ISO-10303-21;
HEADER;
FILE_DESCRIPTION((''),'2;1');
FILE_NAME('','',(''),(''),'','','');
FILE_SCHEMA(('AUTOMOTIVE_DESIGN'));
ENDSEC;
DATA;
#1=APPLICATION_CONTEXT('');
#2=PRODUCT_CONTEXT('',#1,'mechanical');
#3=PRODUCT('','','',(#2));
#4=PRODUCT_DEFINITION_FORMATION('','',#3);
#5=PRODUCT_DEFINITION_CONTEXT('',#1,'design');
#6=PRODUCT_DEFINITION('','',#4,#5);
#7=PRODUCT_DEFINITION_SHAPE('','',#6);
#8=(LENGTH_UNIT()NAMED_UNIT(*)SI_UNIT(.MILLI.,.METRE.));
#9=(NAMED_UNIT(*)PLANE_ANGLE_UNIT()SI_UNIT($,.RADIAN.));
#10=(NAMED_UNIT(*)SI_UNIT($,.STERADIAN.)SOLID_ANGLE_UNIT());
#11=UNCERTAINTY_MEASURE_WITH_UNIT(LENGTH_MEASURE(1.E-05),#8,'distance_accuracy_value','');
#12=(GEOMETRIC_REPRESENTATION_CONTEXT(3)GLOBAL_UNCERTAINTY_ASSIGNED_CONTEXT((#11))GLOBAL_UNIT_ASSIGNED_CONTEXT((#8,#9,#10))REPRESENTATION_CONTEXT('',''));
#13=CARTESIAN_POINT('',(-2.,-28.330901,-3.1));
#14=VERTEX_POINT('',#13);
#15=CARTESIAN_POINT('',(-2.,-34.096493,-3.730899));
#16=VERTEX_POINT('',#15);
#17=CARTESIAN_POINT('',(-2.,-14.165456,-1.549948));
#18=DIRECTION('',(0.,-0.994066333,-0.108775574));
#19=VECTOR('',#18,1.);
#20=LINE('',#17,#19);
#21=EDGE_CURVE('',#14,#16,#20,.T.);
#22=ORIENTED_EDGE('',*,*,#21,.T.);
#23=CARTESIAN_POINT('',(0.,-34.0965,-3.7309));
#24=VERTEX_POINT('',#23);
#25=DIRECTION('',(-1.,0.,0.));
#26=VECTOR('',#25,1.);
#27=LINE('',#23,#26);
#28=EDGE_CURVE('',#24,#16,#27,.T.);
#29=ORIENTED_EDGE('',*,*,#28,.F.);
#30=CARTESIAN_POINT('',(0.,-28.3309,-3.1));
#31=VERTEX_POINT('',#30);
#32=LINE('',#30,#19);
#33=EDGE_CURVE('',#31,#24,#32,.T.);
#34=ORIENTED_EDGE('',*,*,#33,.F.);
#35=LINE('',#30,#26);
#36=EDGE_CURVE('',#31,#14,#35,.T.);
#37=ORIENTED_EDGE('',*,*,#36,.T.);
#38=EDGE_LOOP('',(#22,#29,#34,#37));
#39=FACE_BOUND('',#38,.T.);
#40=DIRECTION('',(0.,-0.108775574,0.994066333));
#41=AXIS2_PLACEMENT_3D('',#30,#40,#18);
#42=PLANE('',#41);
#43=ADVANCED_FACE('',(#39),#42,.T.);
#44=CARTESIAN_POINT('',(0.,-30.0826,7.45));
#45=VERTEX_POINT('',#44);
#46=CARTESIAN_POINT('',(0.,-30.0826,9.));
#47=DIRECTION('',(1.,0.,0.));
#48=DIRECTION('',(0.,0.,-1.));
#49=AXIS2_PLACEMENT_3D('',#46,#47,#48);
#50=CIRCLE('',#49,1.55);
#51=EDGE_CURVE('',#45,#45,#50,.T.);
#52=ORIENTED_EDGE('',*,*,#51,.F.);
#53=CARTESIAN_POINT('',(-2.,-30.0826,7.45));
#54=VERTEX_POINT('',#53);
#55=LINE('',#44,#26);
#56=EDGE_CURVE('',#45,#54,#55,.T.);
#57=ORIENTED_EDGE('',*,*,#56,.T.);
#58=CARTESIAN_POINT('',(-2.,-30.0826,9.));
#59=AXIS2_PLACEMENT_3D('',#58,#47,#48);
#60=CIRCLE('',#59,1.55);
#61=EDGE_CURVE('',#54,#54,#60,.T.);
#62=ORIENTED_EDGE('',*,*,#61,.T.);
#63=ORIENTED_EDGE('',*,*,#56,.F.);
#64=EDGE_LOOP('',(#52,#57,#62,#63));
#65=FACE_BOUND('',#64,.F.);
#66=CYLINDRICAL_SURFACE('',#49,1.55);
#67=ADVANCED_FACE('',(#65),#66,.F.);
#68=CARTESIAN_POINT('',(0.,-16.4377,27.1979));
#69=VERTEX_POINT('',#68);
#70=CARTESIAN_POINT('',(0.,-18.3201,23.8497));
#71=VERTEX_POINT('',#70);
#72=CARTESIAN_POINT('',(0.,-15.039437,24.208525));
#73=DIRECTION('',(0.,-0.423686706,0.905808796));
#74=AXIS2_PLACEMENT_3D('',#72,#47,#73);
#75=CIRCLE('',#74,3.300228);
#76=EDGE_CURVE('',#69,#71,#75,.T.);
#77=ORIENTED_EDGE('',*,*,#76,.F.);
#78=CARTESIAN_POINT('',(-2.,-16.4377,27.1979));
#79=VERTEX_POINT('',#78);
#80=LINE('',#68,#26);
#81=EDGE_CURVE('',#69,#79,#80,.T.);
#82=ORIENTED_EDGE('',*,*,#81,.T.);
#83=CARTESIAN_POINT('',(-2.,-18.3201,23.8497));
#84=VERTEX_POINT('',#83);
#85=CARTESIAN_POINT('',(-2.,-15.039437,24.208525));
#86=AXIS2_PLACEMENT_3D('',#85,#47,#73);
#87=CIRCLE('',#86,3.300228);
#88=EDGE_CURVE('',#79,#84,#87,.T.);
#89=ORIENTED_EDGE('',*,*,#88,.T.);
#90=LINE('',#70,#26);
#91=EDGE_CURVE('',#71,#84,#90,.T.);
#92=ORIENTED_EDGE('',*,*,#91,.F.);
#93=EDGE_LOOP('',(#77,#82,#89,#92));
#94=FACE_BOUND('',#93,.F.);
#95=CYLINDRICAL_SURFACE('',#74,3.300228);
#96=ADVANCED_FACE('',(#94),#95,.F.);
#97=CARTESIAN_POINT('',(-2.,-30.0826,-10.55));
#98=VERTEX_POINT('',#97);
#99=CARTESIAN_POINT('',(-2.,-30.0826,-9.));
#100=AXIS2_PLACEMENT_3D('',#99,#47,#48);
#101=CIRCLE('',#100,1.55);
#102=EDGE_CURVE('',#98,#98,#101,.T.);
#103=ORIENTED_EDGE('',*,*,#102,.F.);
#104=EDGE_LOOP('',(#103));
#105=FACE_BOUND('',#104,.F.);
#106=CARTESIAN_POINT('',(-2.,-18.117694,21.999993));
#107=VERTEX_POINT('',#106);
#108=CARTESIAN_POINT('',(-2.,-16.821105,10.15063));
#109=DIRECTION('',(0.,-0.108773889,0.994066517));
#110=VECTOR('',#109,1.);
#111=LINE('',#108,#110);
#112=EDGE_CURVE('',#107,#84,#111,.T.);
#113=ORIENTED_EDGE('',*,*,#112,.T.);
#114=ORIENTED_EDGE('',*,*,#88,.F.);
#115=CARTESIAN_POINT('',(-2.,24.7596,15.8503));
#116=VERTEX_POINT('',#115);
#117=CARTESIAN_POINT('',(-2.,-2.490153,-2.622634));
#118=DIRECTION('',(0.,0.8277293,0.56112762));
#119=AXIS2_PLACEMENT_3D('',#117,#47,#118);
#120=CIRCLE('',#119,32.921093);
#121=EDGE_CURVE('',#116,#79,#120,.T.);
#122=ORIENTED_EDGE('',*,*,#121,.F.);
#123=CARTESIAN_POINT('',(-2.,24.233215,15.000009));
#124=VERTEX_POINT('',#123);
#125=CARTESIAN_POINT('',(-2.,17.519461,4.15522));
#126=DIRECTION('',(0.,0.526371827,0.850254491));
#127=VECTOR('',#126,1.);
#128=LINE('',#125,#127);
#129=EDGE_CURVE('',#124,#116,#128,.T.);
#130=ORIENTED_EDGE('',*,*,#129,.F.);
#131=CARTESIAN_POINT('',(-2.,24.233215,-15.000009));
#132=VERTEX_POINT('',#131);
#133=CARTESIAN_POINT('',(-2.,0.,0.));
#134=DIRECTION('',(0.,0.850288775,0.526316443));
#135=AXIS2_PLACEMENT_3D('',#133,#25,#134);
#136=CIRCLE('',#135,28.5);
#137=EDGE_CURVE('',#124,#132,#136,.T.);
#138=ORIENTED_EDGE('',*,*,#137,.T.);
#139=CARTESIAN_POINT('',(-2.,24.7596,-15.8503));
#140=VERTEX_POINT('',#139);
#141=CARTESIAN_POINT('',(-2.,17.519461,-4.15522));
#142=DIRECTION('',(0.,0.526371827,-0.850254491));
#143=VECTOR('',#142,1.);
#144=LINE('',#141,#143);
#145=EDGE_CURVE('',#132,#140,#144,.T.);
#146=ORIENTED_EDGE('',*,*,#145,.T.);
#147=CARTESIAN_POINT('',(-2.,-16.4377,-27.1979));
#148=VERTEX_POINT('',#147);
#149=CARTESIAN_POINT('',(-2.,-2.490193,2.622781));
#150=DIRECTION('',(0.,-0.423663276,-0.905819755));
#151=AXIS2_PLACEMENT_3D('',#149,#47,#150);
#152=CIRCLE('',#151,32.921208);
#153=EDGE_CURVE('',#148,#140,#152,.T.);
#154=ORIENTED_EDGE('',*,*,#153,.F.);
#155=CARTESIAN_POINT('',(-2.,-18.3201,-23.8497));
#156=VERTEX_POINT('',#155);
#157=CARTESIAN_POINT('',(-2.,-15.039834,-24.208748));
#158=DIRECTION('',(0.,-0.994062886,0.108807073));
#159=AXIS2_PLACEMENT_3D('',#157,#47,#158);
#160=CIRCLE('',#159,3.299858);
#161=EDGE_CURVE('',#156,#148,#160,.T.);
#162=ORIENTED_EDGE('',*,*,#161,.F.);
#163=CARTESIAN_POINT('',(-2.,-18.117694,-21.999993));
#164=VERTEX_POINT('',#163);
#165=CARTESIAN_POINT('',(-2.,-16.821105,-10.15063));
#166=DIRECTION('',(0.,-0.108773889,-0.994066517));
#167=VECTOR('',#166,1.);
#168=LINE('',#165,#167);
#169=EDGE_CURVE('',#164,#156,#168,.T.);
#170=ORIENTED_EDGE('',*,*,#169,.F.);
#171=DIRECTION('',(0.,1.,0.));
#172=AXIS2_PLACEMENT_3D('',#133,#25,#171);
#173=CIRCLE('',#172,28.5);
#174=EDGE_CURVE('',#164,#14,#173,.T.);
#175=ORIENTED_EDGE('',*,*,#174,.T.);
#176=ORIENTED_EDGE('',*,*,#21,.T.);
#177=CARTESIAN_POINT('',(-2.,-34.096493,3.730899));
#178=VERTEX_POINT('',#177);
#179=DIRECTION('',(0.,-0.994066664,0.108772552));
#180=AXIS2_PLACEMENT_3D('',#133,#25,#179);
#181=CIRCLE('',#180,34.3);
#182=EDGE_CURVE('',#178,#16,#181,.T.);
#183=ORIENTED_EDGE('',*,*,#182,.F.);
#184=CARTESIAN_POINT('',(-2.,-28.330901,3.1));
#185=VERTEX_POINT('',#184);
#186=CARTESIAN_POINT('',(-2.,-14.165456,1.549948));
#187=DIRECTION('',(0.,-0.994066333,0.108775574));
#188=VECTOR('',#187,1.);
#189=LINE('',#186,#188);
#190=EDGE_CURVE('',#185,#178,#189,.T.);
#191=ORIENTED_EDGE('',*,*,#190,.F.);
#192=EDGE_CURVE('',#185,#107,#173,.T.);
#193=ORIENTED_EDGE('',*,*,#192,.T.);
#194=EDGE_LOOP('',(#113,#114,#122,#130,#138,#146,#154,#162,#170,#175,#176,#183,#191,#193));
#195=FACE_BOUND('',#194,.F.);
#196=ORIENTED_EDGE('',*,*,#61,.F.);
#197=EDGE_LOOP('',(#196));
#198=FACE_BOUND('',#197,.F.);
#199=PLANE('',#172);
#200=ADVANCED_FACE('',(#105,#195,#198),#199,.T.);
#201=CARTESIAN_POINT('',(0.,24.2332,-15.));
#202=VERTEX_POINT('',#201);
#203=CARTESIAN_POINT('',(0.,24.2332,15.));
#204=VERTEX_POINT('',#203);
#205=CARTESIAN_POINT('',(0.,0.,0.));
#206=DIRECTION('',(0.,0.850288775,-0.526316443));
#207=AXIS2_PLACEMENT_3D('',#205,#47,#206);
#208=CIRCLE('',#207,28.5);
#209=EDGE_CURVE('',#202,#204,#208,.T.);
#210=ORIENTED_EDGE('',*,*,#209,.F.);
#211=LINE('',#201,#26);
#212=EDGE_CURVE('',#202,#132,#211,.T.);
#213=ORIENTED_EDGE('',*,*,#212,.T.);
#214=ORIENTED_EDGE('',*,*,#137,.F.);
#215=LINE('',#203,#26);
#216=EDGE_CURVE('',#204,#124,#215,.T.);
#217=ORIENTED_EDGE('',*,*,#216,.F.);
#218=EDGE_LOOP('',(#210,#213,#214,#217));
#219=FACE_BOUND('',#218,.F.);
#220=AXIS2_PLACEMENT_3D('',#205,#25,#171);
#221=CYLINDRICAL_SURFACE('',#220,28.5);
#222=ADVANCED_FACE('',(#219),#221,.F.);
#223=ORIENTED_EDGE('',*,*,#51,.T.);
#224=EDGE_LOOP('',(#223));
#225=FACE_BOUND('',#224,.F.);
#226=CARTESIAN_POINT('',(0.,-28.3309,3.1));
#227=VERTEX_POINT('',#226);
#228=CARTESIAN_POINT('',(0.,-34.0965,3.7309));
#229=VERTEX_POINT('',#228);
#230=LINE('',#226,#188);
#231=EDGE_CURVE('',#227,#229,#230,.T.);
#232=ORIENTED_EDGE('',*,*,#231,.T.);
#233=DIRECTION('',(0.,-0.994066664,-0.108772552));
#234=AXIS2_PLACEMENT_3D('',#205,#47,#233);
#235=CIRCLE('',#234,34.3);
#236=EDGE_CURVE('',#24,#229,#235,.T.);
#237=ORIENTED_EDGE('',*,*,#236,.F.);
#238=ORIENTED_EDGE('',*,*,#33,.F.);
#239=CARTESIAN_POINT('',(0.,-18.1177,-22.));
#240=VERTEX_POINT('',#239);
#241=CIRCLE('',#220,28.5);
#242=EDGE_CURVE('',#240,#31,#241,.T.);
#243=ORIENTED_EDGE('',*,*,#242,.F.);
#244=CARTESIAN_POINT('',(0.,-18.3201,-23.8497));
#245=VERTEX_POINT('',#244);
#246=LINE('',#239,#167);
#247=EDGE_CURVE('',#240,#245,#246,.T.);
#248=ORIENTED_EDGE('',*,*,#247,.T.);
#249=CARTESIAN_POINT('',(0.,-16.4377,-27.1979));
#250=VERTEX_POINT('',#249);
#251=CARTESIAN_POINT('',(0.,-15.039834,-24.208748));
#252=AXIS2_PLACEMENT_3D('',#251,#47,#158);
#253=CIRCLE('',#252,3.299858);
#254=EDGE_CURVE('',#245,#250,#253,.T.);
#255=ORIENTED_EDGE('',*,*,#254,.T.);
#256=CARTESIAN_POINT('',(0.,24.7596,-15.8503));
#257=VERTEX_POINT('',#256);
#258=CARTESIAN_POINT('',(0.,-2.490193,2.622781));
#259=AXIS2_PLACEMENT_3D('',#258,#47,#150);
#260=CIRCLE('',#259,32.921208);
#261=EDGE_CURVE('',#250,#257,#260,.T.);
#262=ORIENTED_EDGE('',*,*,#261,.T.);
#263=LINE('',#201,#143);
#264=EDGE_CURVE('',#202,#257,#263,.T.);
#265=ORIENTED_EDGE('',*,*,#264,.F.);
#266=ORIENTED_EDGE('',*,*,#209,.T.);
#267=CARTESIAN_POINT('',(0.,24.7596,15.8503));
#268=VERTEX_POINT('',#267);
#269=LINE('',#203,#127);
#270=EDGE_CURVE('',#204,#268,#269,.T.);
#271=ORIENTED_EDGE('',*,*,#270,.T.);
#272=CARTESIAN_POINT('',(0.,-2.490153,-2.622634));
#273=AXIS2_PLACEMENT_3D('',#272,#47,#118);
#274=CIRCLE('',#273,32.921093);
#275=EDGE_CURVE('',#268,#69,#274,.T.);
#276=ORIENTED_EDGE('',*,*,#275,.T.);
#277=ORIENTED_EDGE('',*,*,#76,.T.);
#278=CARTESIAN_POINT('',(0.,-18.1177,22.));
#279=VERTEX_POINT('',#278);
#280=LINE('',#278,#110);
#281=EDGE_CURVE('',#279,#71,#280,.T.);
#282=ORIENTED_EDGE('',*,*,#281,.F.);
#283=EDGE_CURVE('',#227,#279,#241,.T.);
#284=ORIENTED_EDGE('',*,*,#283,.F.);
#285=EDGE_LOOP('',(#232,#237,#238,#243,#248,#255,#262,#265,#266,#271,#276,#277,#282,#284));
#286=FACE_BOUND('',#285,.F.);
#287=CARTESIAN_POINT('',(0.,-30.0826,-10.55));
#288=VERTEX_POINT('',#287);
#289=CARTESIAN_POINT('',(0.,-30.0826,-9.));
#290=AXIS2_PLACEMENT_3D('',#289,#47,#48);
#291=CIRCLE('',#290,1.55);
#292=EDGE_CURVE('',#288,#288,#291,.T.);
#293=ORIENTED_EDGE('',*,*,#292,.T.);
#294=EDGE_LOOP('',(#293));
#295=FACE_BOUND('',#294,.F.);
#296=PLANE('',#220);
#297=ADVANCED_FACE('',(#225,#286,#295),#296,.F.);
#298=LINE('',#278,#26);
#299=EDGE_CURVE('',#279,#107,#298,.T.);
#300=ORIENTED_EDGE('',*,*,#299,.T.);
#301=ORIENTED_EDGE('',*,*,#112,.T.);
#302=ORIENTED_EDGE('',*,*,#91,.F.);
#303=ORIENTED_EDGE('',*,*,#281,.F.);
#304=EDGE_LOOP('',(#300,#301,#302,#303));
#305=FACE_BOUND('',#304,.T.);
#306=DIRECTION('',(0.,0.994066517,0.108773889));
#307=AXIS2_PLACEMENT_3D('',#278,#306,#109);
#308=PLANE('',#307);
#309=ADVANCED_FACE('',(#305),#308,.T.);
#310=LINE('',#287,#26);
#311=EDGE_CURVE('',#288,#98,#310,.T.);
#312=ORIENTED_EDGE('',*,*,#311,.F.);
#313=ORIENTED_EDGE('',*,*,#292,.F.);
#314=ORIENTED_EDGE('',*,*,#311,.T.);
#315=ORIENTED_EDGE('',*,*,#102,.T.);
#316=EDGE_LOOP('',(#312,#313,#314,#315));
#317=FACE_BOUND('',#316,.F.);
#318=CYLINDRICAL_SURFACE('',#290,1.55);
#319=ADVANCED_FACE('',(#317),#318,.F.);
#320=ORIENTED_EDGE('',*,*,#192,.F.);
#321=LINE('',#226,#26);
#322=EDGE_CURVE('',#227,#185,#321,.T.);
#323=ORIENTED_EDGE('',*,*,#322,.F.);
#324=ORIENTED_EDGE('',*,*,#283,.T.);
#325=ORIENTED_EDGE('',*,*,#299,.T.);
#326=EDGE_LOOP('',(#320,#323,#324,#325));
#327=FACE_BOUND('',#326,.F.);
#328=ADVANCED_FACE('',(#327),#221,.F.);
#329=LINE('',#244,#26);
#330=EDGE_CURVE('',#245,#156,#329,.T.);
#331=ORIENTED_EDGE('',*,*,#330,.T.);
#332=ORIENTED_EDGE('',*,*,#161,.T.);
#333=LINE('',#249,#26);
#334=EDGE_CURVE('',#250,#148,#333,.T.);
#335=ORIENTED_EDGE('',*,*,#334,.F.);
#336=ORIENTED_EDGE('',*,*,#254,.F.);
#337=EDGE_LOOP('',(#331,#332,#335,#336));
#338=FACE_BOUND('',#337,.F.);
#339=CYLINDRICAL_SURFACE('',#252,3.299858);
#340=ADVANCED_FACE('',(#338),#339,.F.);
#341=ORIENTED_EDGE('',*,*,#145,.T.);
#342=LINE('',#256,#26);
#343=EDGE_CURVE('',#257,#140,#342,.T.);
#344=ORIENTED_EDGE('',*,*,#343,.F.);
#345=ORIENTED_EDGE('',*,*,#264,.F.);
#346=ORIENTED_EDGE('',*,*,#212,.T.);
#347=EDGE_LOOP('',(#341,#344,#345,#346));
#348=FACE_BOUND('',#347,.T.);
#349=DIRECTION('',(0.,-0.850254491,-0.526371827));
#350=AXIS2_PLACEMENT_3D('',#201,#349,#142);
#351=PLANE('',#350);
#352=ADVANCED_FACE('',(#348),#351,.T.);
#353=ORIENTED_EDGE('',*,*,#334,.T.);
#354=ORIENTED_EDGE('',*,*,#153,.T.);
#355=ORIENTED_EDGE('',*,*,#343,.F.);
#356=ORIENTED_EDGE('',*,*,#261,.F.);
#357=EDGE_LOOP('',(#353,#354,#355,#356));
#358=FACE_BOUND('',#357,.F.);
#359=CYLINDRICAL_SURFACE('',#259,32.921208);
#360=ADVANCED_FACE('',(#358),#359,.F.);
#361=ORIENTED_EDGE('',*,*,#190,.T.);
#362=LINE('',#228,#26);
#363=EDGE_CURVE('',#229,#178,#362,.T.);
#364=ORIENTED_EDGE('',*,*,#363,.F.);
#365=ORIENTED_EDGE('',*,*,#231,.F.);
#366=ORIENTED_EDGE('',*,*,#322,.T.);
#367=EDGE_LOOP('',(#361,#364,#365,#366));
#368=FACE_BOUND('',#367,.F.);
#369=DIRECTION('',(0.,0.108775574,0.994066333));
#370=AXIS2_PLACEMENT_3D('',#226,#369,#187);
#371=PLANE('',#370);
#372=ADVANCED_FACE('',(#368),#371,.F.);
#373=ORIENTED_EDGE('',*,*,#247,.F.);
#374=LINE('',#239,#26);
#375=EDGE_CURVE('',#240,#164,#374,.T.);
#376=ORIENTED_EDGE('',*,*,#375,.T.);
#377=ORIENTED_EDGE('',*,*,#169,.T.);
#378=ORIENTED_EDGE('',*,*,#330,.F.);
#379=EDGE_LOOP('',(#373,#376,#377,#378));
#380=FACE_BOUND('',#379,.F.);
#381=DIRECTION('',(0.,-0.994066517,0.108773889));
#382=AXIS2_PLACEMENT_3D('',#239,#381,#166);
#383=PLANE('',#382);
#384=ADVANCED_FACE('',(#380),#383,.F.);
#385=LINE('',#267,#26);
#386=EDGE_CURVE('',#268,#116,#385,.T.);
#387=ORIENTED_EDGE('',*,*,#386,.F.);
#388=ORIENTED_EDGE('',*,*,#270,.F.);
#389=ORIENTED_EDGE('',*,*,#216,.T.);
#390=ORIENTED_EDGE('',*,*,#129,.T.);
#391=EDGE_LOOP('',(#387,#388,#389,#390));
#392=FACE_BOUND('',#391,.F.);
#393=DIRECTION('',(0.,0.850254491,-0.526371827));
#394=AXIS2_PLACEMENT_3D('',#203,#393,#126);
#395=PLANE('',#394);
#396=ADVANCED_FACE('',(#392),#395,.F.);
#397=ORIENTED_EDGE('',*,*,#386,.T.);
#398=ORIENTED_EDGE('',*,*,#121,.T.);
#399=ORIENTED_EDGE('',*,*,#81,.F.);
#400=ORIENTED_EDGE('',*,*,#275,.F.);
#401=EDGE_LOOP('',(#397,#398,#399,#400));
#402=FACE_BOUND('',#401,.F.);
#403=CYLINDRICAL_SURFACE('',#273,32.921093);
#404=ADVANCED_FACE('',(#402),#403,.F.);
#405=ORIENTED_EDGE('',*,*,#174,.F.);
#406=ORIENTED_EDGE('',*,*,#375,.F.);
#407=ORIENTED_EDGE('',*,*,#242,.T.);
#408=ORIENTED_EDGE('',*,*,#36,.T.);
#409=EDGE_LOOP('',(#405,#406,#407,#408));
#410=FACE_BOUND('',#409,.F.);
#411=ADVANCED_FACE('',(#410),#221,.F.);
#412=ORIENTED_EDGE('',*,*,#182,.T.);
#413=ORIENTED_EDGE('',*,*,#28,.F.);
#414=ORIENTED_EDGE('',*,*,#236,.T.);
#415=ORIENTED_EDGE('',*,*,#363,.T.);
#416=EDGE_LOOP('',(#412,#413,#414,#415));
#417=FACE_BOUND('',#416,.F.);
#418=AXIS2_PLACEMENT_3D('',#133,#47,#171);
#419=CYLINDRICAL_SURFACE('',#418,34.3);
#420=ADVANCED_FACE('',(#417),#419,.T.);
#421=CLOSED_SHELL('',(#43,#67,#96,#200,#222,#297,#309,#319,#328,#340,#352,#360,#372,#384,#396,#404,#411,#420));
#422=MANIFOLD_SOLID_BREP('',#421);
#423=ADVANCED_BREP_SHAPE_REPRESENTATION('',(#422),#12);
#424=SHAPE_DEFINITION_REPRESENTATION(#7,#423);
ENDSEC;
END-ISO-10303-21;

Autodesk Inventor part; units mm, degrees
ref_plane "YZ Plane" through (0, 0, 0) normal (1, 0, 0) x (0, 1, 0)
ref_plane "XZ Plane" through (0, 0, 0) normal (0, 1, 0) x (-1, 0, 0)
ref_plane "XY Plane" through (0, 0, 0) normal (0, 0, 1) x (1, 0, 0)
sketch "Sketch1" plane through (0, 0, 0) normal (0, 0, 1) x (1, 0, 0)
  line L0 (0, 0) -> (-75.2784, 0)
  line L1 (0, 28.5) -> (-2, 28.5)
  line L2 (-2, 28.5) -> (-2, 34.3)
  line L3 (-2, 34.3) -> (0, 34.3)
  line L4 (0, 34.3) -> (0, 28.5)
  point P0 (0, 0)
  dimension "d0" = 2
  dimension "d1" = 57
  dimension "d2" = 68.6
revolve "Revolution1" add sketch "Sketch1" angle 360 about axis through (0, 0, 0) along (-1, 0, 0)
sketch "Sketch2" plane through (0, 0, 0) normal (1, 0, 0) x (0, 0, -1)
  circle A0 centre (0, 0) radius 28.5 projected
  line L0 (0, 0) -> (15, 24.2332) construction
  line L1 (0, 0) -> (-15, 24.2332) construction
  line L2 (0, 0) -> (3.1, -28.3309) construction
  line L3 (0, 0) -> (-3.1, -28.3309) construction
  circle A1 centre (0, 0) radius 34.3 projected
  line L4 (3.1, -28.3309) -> (3.7309, -34.0965)
  line L5 (-3.1, -28.3309) -> (-3.7309, -34.0965)
  line L6 (15, 24.2332) -> (15.8503, 24.7596)
  line L7 (-15, 24.2332) -> (-15.8503, 24.7596)
  line L8 (0, 0) -> (22, -18.1177) construction
  line L9 (0, 0) -> (-22, -18.1177) construction
  circle A2 centre (0, 0) radius 31.8 construction
  line L10 (-22, -18.1177) -> (-23.8497, -18.3201)
  line L11 (22, -18.1177) -> (23.8497, -18.3201)
  arc A3 (-27.1979, -16.4377) -> (-23.8497, -18.3201) centre (-24.2087, -15.0396) ccw
  arc A4 (23.8497, -18.3201) -> (27.1979, -16.4377) centre (24.2087, -15.0396) ccw
  arc A5 (-15.8503, 24.7596) -> (-27.1979, -16.4377) centre (2.6227, -2.4902) ccw
  arc A6 (27.1979, -16.4377) -> (15.8503, 24.7596) centre (-2.6227, -2.4902) ccw
  circle A7 centre (0, 0) radius 31.4 construction
  line L12 (3.4154, -31.2137) -> (18.4181, -29.5721) construction
  circle A8 centre (9, -30.0826) radius 1.55
  circle A9 centre (-9, -30.0826) radius 1.55
  dimension "d4" = 30
  dimension "d5" = 6.2
  dimension "d6" = 1
  dimension "d7" = 44
  dimension "d8" = 2.5
  dimension "d9" = 32.9211
  dimension "d10" = 3.1
  dimension "d11" = 18
extrude "Extrusion1" cut sketch "Sketch2" against normal through all contours A0 L6 A6 A4 L11 | A0 L10 A3 A5 L7 | L4 A1 L5 A0 | A8 | A9
properties part number "3136 7009 59"
